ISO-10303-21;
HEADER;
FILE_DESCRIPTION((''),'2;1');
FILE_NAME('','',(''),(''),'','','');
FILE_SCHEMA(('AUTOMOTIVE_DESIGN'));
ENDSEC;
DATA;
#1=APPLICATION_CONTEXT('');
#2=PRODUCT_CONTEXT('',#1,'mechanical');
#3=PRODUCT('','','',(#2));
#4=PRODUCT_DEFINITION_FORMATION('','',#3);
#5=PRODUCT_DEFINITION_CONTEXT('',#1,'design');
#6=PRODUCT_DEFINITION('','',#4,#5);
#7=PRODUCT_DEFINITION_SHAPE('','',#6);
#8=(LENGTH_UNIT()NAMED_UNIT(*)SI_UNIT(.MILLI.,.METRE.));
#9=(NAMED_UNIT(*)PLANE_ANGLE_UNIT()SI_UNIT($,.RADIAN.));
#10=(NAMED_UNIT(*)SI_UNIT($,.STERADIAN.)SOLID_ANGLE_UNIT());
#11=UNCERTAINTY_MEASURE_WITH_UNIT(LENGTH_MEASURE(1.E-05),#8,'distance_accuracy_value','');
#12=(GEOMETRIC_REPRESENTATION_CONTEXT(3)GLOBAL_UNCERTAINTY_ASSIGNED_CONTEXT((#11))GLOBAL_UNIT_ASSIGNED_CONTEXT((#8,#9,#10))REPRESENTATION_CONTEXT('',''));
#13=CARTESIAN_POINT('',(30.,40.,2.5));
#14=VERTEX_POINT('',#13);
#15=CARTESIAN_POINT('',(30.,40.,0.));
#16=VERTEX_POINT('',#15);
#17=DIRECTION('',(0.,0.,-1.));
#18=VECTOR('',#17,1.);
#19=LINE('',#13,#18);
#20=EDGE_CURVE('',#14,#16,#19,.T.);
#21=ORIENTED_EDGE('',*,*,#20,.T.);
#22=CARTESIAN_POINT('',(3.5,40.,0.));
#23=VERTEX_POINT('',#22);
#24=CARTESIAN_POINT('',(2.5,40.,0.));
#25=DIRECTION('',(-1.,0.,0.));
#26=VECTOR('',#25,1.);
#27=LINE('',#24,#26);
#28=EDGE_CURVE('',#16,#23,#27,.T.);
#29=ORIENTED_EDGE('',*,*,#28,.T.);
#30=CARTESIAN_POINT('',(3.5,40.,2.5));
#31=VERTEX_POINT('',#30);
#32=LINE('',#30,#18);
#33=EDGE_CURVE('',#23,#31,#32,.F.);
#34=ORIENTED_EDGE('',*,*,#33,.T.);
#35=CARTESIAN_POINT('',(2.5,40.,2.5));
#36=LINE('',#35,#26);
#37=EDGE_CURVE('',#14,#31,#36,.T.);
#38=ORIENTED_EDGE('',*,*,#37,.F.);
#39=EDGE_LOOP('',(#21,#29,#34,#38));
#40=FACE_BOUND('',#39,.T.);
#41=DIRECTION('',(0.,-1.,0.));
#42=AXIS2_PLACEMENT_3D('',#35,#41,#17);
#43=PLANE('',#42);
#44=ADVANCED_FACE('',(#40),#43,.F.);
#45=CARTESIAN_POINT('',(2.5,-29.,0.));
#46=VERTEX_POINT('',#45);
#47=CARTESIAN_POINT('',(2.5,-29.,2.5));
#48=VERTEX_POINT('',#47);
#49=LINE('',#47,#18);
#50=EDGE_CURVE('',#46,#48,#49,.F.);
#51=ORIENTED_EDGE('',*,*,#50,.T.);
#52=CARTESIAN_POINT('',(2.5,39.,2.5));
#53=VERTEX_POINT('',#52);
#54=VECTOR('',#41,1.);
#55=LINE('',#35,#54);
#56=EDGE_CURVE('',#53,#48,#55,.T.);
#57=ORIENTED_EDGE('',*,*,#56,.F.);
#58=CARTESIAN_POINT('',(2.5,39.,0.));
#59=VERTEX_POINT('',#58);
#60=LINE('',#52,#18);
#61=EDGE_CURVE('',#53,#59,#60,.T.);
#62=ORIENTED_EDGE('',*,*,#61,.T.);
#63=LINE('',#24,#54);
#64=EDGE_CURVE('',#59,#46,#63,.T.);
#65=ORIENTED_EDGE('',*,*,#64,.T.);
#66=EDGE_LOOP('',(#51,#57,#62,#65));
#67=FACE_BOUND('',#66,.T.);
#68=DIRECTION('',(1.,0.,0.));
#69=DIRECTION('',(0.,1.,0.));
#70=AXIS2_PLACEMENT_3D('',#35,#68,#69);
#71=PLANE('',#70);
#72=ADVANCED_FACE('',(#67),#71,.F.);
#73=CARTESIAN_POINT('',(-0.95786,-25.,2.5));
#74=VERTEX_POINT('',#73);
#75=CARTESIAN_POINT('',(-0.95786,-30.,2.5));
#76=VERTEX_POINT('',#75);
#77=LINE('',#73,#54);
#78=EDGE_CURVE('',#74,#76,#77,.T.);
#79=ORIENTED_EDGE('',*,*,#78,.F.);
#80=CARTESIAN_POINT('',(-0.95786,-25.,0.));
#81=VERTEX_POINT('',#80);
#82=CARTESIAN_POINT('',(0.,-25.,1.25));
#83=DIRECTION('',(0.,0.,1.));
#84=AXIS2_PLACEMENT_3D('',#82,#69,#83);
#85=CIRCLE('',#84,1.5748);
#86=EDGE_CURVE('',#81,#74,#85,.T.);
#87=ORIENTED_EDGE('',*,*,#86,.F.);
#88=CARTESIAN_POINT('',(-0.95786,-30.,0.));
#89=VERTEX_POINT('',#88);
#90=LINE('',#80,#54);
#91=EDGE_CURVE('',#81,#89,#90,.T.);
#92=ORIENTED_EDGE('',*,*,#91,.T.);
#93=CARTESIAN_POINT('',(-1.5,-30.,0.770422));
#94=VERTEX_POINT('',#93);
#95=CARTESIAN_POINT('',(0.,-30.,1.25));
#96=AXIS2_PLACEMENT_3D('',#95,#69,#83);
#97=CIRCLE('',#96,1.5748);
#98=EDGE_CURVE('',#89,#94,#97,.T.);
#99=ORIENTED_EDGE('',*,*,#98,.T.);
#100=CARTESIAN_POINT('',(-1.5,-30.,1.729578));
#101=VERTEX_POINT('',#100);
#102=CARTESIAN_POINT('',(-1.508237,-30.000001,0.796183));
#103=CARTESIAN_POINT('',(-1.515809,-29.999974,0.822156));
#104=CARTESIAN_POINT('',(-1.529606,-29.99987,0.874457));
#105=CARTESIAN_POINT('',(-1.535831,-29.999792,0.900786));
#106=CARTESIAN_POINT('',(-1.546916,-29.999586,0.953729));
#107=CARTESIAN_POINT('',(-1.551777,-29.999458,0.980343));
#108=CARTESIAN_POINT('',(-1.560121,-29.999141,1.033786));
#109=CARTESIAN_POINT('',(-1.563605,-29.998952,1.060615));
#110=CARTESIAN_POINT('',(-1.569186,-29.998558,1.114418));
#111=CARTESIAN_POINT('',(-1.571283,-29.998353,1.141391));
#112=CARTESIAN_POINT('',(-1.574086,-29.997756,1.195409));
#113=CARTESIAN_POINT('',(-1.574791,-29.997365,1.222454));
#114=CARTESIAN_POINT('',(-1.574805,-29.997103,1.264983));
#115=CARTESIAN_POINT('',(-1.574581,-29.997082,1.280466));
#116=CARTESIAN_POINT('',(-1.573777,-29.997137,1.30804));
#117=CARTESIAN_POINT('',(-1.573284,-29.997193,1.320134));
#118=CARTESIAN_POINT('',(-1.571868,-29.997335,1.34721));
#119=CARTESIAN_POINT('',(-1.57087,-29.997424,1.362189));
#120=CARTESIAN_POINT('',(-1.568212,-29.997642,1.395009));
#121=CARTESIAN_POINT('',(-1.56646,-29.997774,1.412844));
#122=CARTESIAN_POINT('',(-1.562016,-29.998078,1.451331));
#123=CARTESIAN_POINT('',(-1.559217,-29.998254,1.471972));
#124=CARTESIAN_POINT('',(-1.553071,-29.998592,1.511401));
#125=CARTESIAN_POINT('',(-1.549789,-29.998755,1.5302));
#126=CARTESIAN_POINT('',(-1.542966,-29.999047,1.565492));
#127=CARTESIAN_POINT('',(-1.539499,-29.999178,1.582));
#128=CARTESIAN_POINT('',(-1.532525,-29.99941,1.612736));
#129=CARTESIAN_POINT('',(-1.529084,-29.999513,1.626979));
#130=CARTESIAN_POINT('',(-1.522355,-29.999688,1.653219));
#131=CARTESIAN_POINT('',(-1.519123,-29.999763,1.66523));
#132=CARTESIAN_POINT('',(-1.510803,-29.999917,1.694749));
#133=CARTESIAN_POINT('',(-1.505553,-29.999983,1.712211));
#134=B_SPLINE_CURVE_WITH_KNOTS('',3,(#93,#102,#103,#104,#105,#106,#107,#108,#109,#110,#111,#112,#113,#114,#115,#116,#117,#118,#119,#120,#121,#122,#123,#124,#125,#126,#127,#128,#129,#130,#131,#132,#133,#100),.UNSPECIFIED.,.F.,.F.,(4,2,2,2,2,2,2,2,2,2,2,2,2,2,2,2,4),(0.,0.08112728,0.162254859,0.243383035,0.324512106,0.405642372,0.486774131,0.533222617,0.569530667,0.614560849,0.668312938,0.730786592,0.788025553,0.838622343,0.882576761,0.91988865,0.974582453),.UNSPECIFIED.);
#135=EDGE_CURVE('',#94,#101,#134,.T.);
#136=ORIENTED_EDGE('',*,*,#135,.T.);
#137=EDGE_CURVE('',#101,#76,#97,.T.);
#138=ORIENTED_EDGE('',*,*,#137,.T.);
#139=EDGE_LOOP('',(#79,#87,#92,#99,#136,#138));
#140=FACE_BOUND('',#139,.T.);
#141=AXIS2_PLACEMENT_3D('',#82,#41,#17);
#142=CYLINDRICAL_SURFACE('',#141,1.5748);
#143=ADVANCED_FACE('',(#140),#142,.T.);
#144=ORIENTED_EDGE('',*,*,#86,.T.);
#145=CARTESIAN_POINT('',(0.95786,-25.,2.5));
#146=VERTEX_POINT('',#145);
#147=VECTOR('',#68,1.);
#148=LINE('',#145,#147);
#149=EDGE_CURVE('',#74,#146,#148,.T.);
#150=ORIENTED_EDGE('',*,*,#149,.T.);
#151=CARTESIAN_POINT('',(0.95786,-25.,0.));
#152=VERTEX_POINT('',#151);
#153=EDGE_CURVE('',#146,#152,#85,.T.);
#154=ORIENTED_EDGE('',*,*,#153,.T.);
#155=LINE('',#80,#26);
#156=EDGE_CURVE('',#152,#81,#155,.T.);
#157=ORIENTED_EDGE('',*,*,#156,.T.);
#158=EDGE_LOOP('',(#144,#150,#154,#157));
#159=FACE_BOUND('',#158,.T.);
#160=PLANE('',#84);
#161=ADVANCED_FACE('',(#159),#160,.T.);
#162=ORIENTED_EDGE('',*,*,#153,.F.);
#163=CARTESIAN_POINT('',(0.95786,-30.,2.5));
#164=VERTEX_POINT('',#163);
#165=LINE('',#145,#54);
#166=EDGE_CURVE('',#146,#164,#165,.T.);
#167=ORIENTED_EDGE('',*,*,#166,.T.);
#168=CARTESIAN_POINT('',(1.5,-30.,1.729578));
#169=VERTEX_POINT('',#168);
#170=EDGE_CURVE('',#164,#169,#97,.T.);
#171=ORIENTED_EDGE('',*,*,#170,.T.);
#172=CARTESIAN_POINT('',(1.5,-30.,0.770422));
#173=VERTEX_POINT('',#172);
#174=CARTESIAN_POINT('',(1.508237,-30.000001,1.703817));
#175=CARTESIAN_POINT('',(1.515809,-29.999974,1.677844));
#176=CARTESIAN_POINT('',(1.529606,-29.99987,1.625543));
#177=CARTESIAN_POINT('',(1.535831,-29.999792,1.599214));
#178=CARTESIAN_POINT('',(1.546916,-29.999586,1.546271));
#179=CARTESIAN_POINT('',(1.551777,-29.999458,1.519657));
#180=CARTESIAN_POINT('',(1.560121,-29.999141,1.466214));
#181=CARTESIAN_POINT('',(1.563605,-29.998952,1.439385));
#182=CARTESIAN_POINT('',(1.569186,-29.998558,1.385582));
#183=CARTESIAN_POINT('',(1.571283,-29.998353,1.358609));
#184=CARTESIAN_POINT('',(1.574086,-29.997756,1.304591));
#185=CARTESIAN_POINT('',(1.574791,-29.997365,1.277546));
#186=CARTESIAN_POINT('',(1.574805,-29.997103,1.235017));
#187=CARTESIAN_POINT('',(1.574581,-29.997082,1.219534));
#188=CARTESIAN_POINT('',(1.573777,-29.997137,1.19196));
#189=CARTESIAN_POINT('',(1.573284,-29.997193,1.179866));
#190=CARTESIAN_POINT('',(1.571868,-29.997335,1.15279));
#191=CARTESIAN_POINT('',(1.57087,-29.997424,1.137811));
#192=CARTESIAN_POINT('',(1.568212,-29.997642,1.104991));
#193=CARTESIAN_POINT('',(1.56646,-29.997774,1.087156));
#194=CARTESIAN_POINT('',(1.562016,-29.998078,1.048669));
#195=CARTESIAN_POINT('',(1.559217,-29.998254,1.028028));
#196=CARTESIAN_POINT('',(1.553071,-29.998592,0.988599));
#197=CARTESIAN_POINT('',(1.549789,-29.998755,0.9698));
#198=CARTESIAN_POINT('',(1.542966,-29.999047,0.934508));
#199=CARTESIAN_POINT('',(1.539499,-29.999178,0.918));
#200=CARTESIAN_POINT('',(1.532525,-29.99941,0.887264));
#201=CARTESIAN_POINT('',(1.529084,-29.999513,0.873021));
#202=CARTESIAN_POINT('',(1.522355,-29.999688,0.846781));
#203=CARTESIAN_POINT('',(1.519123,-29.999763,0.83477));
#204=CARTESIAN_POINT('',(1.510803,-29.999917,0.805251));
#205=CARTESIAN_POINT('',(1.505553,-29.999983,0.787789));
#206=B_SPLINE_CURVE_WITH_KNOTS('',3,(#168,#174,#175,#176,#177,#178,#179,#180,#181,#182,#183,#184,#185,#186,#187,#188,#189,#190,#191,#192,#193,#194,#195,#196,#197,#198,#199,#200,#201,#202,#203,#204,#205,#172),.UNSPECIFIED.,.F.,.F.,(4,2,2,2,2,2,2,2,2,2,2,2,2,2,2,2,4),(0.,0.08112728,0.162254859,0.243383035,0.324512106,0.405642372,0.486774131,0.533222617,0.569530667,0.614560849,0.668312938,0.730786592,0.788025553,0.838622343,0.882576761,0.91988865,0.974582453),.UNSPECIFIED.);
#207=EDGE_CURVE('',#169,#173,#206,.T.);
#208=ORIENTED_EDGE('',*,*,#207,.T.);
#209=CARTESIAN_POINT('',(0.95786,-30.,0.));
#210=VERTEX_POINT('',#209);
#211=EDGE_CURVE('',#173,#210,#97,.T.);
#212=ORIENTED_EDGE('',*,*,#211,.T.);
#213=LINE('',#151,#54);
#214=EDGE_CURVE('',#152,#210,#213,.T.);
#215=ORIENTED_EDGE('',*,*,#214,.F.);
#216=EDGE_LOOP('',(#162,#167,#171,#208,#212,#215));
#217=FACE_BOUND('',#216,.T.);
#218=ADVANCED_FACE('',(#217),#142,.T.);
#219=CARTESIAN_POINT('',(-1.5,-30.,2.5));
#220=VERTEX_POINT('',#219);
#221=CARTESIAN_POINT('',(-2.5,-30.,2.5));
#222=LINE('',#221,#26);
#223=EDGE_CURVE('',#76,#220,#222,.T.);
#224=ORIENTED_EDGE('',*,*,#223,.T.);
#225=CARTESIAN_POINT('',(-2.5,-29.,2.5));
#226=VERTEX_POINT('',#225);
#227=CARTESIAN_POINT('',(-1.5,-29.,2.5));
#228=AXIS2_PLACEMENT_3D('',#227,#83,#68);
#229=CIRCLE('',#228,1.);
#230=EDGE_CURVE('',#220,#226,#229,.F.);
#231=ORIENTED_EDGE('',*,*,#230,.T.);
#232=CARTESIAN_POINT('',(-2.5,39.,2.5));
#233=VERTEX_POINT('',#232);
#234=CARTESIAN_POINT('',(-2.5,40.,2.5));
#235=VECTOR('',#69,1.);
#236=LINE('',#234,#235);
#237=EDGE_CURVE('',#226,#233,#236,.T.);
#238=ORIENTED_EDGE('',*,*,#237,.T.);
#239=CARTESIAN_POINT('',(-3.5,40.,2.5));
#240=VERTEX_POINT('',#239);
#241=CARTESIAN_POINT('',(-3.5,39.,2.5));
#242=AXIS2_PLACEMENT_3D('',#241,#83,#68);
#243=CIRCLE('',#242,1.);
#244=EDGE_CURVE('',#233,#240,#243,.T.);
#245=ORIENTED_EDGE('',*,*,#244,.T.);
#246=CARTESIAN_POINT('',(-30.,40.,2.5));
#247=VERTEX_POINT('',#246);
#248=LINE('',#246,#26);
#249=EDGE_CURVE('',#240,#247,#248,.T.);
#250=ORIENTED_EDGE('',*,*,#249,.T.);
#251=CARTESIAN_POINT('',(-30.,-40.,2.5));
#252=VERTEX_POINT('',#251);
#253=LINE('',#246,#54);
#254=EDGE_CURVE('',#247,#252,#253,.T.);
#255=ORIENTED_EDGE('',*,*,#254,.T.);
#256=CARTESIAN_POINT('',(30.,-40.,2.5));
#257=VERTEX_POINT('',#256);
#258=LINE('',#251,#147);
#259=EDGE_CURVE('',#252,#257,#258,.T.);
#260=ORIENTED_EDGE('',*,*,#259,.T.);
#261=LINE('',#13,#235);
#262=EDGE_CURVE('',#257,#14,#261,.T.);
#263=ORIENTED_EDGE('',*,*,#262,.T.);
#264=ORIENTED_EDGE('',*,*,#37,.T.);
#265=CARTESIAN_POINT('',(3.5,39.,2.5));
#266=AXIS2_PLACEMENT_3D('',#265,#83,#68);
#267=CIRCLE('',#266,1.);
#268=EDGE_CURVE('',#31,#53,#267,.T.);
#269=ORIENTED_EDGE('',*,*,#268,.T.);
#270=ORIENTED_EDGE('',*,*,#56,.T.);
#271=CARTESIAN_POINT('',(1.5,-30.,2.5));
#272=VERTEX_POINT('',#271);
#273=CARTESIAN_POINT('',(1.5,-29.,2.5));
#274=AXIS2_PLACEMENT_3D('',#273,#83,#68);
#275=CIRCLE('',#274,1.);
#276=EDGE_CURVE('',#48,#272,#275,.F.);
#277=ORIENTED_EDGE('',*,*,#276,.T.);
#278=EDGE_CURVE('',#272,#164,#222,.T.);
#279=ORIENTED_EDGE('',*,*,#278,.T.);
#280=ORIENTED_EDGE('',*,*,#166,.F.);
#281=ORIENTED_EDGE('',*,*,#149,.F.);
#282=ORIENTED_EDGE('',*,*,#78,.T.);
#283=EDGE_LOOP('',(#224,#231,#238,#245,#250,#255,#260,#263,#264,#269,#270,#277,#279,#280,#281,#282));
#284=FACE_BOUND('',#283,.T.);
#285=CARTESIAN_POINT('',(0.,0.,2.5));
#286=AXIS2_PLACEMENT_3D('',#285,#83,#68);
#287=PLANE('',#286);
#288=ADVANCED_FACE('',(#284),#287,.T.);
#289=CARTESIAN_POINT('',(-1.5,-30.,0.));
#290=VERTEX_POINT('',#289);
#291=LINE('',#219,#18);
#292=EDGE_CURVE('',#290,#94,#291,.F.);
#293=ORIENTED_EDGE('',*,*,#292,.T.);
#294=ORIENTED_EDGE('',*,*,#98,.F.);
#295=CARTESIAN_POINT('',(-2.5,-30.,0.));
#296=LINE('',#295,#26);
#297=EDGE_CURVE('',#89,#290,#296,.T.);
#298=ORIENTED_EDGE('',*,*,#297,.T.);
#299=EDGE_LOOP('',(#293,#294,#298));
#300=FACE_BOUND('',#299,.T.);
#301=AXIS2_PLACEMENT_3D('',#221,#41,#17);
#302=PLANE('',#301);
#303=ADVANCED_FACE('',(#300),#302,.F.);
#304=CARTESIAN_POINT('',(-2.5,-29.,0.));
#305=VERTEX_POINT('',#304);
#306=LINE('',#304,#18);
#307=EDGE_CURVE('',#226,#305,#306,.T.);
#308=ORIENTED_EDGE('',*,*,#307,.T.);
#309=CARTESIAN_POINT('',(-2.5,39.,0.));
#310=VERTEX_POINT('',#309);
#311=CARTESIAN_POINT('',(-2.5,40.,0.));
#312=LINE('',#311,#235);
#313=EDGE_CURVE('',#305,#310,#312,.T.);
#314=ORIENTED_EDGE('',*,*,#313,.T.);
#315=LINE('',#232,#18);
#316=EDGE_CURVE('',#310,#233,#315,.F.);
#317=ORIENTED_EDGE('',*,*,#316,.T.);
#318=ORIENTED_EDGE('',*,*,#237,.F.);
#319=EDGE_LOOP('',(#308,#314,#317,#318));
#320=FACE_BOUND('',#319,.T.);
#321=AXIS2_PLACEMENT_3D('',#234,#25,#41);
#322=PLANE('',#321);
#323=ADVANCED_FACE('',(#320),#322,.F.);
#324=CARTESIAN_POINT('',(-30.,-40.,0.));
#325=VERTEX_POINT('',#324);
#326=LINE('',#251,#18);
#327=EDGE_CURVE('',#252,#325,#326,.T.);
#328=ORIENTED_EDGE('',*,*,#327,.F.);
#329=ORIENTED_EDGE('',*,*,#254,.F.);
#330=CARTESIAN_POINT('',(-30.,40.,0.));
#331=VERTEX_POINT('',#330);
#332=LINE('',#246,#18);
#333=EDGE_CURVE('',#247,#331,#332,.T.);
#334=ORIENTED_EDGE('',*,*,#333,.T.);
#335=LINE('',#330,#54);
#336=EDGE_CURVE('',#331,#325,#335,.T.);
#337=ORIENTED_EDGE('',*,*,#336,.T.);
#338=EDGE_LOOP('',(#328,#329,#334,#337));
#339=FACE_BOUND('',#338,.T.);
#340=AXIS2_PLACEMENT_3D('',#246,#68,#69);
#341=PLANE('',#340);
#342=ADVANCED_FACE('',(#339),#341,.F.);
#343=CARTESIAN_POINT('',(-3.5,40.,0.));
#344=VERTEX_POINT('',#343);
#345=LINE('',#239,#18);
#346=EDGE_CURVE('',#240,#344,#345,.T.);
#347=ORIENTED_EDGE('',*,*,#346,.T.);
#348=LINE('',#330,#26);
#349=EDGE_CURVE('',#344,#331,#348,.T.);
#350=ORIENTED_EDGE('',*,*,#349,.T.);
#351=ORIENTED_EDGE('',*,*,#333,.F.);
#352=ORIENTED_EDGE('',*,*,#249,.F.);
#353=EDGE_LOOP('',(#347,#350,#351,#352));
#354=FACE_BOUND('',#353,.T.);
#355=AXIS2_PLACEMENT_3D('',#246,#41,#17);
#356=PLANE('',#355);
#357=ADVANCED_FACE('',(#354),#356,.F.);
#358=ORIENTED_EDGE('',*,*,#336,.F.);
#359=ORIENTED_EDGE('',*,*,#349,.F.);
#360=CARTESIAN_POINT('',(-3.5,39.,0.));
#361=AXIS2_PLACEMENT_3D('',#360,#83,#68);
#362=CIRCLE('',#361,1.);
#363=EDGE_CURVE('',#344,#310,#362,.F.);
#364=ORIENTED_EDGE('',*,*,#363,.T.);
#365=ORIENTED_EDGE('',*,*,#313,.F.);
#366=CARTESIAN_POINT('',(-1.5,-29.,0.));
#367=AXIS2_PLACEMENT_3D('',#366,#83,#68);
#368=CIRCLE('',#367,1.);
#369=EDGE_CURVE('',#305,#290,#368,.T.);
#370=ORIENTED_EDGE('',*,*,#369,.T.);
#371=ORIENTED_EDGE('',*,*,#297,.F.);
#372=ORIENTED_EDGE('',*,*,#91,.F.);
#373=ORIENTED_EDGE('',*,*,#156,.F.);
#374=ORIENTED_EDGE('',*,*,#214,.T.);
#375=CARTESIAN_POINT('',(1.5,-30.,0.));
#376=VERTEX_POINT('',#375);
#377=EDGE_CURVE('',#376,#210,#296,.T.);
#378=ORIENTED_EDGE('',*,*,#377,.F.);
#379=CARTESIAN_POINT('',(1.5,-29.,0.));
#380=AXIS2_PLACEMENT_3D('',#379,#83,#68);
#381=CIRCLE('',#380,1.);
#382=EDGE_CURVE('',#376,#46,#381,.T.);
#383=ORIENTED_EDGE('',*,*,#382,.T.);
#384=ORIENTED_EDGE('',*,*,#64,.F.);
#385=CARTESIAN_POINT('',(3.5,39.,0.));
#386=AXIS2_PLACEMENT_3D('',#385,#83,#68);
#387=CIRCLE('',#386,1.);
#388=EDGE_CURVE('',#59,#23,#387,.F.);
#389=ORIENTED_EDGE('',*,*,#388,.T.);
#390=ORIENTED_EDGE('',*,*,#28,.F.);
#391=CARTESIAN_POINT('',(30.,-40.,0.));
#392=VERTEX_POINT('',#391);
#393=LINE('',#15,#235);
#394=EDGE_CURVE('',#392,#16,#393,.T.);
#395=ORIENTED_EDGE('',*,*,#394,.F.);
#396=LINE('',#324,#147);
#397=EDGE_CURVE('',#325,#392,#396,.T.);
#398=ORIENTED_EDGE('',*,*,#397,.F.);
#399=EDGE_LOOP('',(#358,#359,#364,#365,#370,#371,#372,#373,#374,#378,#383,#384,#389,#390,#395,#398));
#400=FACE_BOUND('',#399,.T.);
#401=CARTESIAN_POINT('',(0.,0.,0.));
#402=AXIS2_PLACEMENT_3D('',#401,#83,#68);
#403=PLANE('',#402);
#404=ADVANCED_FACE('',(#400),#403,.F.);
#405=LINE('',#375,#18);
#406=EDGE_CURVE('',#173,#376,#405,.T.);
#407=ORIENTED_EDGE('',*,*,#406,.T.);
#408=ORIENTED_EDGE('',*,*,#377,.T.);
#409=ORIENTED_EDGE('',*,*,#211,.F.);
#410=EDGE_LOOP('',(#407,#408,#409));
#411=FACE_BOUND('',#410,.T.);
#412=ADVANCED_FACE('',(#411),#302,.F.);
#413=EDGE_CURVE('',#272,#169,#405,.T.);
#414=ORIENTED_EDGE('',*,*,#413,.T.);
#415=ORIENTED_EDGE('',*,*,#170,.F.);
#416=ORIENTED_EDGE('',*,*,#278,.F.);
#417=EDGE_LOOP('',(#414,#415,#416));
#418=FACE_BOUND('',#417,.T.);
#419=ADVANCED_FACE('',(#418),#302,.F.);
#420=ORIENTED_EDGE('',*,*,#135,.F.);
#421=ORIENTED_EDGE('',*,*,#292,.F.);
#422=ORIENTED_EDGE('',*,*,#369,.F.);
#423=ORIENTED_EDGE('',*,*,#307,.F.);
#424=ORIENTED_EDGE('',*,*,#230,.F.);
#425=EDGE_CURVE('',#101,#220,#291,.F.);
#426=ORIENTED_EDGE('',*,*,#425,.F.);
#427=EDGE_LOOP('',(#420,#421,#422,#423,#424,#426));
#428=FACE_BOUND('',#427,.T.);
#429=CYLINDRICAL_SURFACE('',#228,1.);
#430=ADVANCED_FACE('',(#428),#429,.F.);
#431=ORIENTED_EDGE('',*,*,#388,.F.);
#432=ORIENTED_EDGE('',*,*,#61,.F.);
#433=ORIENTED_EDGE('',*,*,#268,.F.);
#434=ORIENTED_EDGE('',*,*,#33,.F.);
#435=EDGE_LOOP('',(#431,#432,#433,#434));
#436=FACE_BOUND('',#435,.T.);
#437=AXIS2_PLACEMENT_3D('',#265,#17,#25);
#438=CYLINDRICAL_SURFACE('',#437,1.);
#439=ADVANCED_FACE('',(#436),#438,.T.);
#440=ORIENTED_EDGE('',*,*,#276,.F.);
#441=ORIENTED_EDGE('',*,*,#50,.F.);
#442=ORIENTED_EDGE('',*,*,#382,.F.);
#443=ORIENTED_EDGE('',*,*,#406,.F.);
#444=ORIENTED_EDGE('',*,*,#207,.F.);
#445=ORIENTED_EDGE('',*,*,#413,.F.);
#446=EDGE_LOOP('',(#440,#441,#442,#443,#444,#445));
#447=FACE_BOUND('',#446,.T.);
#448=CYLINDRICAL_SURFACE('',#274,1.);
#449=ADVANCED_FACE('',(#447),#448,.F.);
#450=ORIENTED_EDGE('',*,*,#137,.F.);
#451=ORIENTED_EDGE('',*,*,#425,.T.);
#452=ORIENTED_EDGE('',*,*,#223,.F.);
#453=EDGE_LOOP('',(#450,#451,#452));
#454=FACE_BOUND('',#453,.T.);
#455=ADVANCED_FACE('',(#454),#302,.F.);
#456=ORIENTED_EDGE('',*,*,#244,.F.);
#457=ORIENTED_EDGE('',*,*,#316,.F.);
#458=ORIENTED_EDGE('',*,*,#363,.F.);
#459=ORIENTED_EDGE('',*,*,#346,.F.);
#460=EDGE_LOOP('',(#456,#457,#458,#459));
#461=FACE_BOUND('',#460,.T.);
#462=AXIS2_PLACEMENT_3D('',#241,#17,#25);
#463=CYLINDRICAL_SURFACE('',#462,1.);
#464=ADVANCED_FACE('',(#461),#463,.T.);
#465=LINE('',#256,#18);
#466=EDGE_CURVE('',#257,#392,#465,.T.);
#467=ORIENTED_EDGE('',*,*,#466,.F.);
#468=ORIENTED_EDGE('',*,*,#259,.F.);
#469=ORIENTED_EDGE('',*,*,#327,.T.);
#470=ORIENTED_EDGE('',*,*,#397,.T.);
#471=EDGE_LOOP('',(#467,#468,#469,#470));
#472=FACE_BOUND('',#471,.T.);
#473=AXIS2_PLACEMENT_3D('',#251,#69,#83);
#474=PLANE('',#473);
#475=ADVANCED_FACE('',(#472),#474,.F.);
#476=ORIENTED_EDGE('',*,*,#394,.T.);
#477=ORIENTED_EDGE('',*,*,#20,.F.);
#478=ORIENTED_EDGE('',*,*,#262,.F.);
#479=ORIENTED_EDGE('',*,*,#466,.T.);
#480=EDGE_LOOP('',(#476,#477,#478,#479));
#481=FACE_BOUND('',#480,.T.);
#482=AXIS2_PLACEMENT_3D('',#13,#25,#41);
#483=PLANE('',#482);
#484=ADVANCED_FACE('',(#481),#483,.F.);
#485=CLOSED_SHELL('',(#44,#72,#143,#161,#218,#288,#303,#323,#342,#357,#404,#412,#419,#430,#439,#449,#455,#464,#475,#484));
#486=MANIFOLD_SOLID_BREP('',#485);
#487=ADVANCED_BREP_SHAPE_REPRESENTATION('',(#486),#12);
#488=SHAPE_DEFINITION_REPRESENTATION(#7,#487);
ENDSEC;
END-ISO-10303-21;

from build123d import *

# Parameters (mm, degrees)
BOSS_EXTRUDE1_DEPTH = 2.5
FILLET1_R           = 1
BOSS_EXTRUDE2_DEPTH = 5


with BuildPart() as part:
    # Sketch1 → Boss-Extrude1 (new body)
    with BuildSketch(Plane.XY):
        Polygon((-2.5, 40), (-2.5, -30), (2.5, -30), (2.5, 40), (30, 40), (30, -40), (-30, -40), (-30, 40), align=None)
    extrude(amount=BOSS_EXTRUDE1_DEPTH)

    # Fillet1
    fillet1_edges = [part.edges().sort_by_distance(p)[0] for p in [
        (-2.5, 40, 1.25),
        (-2.5, -30, 1.25),
        (2.5, -30, 1.25),
        (2.5, 40, 1.25),
    ]]
    fillet(fillet1_edges, radius=FILLET1_R)

    # Sketch2 → Boss-Extrude2 (add)
    with BuildSketch(Plane(origin=(0, -30, 0), x_dir=(1, 0, 0), z_dir=(0, 1, 0))):
        with BuildLine():
            Line((-0.957859614, 0), (0.957859614, 0))
            ThreePointArc((0.957859614, 0), (1.5748, -1.25), (0.957859614, -2.5))
            Line((0.957859614, -2.5), (-0.957859614, -2.5))
            ThreePointArc((-0.957859614, -2.5), (-1.5748, -1.25), (-0.957859614, 0))
        make_face()
    extrude(amount=BOSS_EXTRUDE2_DEPTH)


solid = part.part
